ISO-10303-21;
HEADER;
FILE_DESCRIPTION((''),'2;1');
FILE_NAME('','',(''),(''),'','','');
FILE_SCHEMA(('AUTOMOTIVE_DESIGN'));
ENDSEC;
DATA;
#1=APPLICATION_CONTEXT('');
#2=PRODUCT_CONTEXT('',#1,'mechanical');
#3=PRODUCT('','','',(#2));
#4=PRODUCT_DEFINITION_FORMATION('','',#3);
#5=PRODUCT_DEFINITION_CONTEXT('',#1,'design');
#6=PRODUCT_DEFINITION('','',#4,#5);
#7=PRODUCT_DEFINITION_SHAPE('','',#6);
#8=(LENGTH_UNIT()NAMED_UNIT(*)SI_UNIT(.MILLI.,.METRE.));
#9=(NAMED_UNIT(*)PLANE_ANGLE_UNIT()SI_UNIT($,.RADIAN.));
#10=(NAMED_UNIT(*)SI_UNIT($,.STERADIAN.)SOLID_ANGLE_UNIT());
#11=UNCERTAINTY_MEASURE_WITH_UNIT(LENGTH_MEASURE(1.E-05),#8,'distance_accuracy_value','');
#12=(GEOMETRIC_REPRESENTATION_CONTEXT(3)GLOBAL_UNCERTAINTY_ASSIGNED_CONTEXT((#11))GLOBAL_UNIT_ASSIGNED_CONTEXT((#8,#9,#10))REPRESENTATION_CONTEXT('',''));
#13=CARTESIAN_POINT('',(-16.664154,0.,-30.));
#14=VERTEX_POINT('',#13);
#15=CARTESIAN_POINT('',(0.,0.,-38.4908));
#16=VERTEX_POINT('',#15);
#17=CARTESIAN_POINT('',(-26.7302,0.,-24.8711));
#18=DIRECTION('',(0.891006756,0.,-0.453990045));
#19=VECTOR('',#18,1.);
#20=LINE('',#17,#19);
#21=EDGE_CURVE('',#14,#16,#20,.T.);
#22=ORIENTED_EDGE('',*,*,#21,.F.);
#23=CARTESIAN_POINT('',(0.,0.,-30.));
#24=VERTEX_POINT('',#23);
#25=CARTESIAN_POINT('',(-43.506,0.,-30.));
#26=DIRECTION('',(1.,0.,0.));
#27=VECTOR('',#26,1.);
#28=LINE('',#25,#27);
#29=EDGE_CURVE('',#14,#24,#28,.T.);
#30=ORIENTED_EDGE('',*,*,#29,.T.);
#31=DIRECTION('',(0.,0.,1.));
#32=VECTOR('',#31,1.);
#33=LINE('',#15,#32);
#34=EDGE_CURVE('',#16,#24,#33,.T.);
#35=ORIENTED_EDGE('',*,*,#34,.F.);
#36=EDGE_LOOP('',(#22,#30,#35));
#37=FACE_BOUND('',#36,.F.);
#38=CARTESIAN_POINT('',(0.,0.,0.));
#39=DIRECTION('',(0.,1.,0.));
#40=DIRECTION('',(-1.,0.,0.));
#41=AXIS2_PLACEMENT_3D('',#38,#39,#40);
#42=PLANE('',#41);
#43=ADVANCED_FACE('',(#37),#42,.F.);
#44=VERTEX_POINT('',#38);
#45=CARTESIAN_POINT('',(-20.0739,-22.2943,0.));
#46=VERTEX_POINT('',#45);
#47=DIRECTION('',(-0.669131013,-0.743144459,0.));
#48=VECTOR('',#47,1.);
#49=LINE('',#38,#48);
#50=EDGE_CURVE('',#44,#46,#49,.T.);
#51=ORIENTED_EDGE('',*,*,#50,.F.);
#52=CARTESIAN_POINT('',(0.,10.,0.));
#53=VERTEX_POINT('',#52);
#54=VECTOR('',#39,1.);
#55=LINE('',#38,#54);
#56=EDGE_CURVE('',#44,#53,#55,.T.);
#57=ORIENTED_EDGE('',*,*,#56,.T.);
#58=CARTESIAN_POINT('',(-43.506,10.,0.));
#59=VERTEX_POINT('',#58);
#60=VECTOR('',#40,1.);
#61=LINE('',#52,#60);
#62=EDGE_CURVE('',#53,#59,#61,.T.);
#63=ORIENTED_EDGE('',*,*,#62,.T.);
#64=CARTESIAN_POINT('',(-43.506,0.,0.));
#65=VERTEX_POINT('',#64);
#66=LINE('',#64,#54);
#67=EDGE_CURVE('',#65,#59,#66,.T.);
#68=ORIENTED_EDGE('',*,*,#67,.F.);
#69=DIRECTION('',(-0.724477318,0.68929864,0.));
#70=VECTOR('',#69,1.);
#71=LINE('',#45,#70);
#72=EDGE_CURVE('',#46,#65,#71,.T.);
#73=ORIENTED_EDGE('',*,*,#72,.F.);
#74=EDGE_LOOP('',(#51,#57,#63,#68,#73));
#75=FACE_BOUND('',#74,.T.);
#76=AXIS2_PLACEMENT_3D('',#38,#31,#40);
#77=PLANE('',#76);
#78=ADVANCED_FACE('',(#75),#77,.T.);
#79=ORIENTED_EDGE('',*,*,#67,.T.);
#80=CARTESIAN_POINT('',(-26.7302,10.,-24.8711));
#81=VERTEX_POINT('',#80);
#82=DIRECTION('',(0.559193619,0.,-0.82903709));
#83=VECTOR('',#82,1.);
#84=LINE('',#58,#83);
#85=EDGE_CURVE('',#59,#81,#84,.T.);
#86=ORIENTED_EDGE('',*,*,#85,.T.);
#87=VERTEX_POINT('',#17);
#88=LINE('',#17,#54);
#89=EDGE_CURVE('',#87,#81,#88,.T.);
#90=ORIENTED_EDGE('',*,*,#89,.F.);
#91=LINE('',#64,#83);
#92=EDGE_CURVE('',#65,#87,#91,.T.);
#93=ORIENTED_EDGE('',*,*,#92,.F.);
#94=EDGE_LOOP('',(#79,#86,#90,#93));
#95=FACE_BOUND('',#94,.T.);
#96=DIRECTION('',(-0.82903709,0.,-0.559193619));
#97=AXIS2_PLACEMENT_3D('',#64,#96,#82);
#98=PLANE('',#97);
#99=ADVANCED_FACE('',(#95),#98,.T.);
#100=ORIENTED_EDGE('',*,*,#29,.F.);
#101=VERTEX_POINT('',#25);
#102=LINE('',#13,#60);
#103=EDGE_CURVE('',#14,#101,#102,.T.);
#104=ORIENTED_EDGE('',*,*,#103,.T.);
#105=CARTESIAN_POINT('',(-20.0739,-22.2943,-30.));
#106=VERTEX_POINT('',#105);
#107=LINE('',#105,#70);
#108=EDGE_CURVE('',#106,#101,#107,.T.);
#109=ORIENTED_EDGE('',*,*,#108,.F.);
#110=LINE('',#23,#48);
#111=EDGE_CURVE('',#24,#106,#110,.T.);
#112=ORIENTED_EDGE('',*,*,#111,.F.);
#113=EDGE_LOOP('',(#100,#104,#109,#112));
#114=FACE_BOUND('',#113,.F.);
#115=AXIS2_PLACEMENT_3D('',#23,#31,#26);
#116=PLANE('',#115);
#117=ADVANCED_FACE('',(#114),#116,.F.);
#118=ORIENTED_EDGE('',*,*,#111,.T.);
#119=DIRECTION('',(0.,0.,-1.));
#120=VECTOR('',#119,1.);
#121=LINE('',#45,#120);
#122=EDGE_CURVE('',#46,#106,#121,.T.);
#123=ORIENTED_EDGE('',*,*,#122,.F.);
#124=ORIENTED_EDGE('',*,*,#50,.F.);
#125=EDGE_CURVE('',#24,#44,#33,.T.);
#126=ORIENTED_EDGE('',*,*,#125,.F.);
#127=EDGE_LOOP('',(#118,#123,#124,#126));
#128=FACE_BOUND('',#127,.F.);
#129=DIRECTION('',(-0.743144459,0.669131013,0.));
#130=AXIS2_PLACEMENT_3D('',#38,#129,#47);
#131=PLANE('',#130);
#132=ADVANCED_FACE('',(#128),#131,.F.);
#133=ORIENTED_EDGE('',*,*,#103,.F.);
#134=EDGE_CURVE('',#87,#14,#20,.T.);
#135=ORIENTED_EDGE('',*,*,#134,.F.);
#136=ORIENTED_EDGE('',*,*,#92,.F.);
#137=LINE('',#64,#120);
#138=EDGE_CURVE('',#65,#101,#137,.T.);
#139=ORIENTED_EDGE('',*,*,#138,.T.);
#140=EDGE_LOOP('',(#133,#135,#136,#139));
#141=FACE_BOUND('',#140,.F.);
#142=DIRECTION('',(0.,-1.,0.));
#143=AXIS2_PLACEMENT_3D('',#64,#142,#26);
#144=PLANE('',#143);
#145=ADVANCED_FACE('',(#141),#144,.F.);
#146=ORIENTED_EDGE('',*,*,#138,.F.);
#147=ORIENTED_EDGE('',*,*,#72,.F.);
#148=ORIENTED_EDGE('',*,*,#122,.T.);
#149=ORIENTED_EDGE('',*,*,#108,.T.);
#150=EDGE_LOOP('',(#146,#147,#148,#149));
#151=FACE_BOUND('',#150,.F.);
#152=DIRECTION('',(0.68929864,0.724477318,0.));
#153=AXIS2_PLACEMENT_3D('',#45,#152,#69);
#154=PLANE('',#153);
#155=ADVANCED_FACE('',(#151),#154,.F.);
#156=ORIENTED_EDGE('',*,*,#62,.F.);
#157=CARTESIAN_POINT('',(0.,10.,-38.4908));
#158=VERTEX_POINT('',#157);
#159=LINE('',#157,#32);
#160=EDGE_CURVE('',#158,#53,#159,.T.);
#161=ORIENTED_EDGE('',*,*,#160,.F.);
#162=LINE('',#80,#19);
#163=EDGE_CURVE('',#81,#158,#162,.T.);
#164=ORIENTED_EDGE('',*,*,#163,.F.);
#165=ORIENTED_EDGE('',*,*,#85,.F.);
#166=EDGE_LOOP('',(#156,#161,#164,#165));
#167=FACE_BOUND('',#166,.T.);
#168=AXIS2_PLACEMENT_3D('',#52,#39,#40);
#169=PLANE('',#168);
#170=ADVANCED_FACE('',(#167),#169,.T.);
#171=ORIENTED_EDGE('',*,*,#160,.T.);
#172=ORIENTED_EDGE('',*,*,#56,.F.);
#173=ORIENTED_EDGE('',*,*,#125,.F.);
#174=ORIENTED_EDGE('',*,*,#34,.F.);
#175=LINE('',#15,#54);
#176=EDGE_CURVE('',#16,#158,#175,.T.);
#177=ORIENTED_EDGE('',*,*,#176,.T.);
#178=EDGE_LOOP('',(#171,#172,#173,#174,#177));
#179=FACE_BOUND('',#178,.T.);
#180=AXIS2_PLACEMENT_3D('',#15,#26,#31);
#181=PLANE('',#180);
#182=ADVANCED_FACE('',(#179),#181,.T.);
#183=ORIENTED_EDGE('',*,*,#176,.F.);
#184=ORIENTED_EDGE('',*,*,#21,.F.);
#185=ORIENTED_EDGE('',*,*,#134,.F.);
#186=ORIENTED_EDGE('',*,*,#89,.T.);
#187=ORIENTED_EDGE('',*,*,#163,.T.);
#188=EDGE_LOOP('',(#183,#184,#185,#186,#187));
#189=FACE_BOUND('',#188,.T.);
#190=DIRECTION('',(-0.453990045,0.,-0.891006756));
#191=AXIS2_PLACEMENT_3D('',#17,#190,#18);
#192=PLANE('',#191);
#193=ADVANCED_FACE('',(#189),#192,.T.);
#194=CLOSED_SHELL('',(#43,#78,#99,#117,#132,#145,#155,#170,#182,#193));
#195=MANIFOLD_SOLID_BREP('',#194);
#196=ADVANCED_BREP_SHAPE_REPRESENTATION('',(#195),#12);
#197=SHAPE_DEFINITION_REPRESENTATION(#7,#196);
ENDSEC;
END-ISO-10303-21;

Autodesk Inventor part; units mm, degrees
ref_plane "YZ Plane" through (0, 0, 0) normal (1, 0, 0) x (0, 1, 0)
ref_plane "XZ Plane" through (0, 0, 0) normal (0, 1, 0) x (-1, 0, 0)
ref_plane "XY Plane" through (0, 0, 0) normal (0, 0, 1) x (1, 0, 0)
sketch "Sketch1" plane through (0, 0, 0) normal (0, 1, 0) x (-1, 0, 0)
  line L0 (0, 0) -> (43.506, 0)
  line L1 (0, -38.4908) -> (0, 0)
  line L2 (43.506, 0) -> (26.7302, -24.8711)
  line L3 (26.7302, -24.8711) -> (0, -38.4908)
  dimension "d0" = 56
  dimension "d2" = 30
  dimension "d3" = 30
  dimension "d10" = 27
extrude "Extrusion1" add sketch "Sketch1" along normal blind 10
sketch "Sketch2" plane through (0, 0, 0) normal (0, 0, 1) x (1, 0, 0)
  line L0 (0, 0) -> (-20.0739, -22.2943)
  line L1 (-43.506, 0) -> (0, 0) projected
  line L2 (-26.7302, 0) -> (-43.506, 0) projected
  line L3 (-20.0739, -22.2943) -> (-43.506, 0)
  line L4 (0, 0) -> (-26.7302, 0) projected
  line L5 (-43.506, 0) -> (0, 0)
  dimension "d6" = 48
  dimension "d7" = 30
extrude "Extrusion2" add sketch "Sketch2" against normal blind 30
equation "\"d2\" = secure_arm_thickness"
equation "\"d3\" = d2"
equation "\"d7\" = secure_arm_thickness"
equation "\"d8\" = secure_arm_hold_thickness"
equation "\"hoop_angle_z\" = 45deg"
equation "\"hoop_bearing_length\" = 5deg"
equation "\"hoop_cable_diam\" = 5"
equation "\"hoop_cable_pulley_diam\" = 22"
equation "\"hoop_thickness_large\" = 4"
equation "\"hoop_thickness_medium\" = 3.2"
equation "\"hoop_thickness_small\" = 2"
equation "\"hoop_width_large\" = 51"
equation "\"hoop_width_medium\" = 33.7"
equation "\"hoop_width_small\" = 25.4"
equation "\"rack_tooth_addendum\" = 5"
equation "\"rack_tooth_dedendum\" = 5"
equation "\"rack_tooth_thickness\" = 5"
equation "\"secure_arm_angle\" = 35deg"
equation "\"secure_arm_hold_thickness\" = 30"
equation "\"secure_arm_radii\" = 9"
equation "\"secure_arm_thickness\" = 30"
equation "\"support_baseClamp_platformLengthBuffer\" = 35"
equation "\"support_baseClamp_platformThickness\" = 15"
equation "\"support_baseClamp_platformWidthBuffer\" = 0"
equation "\"support_baseClamp_sleeveHoleDiameter\" = 12"
equation "\"support_baseClamp_sleeveSweepTerminationAngle\" = 55deg"
equation "\"support_baseClamp_thickness\" = 8"
equation "\"support_frame_endHoleBuffer\" = 45"
equation "\"support_frame_squareBarFillet\" = 2"
equation "\"support_frame_squareBarThickness\" = 5"
equation "\"hoop_tabs_thickness\" = 6"
equation "\"hoop_tabs_hole\" = 12"
equation "\"wheelchair_deployed_width\" = 635"
equation "\"wheelchair_deployed_length\" = 1067"
equation "\"wheelchair_deployed_height\" = 914"
equation "\"sm_varx_squareBarThickness\" = 2.5"
equation "\"sm_varx_pinPlate_thickness\" = 5"
equation "\"sm_varx_pinPlate_holeDiameter\" = 5"
equation "\"sm_varx_member_tolerance\" = 0"
equation "\"hoop_bushing23_radialInterference\" = 0"
equation "\"hoop_bushing12_radialInterference\" = 0"
equation "\"hoop_bushing12_od\" = -2 * hoop_thickness_large + hoop_width_large + hoop_bushing12_radialInterference"
equation "\"hoop_bushing23_od\" = -2 * hoop_thickness_medium + hoop_width_medium + hoop_bushing23_radialInterference"
equation "\"wheelchatir_pos_deploy_angle_0\" = 65deg"
equation "\"wheelchatir_pos_store_angle_0\" = 90deg"
equation "\"wheelchatir_pos_deploy_angle_1\" = 20deg"
equation "\"wheelchatir_pos_store_angle_1\" = 20deg"
equation "\"hoop_bushing12_thickness\" = -hoop_width_medium + hoop_bushing12_od - 2 * hoop_bushing12_radialInterference"
equation "\"hoop_bushing23_thickness\" = -hoop_width_small + hoop_bushing23_od - 2 * hoop_bushing23_radialInterference"
properties part number "secure_to_hoop_machined"
